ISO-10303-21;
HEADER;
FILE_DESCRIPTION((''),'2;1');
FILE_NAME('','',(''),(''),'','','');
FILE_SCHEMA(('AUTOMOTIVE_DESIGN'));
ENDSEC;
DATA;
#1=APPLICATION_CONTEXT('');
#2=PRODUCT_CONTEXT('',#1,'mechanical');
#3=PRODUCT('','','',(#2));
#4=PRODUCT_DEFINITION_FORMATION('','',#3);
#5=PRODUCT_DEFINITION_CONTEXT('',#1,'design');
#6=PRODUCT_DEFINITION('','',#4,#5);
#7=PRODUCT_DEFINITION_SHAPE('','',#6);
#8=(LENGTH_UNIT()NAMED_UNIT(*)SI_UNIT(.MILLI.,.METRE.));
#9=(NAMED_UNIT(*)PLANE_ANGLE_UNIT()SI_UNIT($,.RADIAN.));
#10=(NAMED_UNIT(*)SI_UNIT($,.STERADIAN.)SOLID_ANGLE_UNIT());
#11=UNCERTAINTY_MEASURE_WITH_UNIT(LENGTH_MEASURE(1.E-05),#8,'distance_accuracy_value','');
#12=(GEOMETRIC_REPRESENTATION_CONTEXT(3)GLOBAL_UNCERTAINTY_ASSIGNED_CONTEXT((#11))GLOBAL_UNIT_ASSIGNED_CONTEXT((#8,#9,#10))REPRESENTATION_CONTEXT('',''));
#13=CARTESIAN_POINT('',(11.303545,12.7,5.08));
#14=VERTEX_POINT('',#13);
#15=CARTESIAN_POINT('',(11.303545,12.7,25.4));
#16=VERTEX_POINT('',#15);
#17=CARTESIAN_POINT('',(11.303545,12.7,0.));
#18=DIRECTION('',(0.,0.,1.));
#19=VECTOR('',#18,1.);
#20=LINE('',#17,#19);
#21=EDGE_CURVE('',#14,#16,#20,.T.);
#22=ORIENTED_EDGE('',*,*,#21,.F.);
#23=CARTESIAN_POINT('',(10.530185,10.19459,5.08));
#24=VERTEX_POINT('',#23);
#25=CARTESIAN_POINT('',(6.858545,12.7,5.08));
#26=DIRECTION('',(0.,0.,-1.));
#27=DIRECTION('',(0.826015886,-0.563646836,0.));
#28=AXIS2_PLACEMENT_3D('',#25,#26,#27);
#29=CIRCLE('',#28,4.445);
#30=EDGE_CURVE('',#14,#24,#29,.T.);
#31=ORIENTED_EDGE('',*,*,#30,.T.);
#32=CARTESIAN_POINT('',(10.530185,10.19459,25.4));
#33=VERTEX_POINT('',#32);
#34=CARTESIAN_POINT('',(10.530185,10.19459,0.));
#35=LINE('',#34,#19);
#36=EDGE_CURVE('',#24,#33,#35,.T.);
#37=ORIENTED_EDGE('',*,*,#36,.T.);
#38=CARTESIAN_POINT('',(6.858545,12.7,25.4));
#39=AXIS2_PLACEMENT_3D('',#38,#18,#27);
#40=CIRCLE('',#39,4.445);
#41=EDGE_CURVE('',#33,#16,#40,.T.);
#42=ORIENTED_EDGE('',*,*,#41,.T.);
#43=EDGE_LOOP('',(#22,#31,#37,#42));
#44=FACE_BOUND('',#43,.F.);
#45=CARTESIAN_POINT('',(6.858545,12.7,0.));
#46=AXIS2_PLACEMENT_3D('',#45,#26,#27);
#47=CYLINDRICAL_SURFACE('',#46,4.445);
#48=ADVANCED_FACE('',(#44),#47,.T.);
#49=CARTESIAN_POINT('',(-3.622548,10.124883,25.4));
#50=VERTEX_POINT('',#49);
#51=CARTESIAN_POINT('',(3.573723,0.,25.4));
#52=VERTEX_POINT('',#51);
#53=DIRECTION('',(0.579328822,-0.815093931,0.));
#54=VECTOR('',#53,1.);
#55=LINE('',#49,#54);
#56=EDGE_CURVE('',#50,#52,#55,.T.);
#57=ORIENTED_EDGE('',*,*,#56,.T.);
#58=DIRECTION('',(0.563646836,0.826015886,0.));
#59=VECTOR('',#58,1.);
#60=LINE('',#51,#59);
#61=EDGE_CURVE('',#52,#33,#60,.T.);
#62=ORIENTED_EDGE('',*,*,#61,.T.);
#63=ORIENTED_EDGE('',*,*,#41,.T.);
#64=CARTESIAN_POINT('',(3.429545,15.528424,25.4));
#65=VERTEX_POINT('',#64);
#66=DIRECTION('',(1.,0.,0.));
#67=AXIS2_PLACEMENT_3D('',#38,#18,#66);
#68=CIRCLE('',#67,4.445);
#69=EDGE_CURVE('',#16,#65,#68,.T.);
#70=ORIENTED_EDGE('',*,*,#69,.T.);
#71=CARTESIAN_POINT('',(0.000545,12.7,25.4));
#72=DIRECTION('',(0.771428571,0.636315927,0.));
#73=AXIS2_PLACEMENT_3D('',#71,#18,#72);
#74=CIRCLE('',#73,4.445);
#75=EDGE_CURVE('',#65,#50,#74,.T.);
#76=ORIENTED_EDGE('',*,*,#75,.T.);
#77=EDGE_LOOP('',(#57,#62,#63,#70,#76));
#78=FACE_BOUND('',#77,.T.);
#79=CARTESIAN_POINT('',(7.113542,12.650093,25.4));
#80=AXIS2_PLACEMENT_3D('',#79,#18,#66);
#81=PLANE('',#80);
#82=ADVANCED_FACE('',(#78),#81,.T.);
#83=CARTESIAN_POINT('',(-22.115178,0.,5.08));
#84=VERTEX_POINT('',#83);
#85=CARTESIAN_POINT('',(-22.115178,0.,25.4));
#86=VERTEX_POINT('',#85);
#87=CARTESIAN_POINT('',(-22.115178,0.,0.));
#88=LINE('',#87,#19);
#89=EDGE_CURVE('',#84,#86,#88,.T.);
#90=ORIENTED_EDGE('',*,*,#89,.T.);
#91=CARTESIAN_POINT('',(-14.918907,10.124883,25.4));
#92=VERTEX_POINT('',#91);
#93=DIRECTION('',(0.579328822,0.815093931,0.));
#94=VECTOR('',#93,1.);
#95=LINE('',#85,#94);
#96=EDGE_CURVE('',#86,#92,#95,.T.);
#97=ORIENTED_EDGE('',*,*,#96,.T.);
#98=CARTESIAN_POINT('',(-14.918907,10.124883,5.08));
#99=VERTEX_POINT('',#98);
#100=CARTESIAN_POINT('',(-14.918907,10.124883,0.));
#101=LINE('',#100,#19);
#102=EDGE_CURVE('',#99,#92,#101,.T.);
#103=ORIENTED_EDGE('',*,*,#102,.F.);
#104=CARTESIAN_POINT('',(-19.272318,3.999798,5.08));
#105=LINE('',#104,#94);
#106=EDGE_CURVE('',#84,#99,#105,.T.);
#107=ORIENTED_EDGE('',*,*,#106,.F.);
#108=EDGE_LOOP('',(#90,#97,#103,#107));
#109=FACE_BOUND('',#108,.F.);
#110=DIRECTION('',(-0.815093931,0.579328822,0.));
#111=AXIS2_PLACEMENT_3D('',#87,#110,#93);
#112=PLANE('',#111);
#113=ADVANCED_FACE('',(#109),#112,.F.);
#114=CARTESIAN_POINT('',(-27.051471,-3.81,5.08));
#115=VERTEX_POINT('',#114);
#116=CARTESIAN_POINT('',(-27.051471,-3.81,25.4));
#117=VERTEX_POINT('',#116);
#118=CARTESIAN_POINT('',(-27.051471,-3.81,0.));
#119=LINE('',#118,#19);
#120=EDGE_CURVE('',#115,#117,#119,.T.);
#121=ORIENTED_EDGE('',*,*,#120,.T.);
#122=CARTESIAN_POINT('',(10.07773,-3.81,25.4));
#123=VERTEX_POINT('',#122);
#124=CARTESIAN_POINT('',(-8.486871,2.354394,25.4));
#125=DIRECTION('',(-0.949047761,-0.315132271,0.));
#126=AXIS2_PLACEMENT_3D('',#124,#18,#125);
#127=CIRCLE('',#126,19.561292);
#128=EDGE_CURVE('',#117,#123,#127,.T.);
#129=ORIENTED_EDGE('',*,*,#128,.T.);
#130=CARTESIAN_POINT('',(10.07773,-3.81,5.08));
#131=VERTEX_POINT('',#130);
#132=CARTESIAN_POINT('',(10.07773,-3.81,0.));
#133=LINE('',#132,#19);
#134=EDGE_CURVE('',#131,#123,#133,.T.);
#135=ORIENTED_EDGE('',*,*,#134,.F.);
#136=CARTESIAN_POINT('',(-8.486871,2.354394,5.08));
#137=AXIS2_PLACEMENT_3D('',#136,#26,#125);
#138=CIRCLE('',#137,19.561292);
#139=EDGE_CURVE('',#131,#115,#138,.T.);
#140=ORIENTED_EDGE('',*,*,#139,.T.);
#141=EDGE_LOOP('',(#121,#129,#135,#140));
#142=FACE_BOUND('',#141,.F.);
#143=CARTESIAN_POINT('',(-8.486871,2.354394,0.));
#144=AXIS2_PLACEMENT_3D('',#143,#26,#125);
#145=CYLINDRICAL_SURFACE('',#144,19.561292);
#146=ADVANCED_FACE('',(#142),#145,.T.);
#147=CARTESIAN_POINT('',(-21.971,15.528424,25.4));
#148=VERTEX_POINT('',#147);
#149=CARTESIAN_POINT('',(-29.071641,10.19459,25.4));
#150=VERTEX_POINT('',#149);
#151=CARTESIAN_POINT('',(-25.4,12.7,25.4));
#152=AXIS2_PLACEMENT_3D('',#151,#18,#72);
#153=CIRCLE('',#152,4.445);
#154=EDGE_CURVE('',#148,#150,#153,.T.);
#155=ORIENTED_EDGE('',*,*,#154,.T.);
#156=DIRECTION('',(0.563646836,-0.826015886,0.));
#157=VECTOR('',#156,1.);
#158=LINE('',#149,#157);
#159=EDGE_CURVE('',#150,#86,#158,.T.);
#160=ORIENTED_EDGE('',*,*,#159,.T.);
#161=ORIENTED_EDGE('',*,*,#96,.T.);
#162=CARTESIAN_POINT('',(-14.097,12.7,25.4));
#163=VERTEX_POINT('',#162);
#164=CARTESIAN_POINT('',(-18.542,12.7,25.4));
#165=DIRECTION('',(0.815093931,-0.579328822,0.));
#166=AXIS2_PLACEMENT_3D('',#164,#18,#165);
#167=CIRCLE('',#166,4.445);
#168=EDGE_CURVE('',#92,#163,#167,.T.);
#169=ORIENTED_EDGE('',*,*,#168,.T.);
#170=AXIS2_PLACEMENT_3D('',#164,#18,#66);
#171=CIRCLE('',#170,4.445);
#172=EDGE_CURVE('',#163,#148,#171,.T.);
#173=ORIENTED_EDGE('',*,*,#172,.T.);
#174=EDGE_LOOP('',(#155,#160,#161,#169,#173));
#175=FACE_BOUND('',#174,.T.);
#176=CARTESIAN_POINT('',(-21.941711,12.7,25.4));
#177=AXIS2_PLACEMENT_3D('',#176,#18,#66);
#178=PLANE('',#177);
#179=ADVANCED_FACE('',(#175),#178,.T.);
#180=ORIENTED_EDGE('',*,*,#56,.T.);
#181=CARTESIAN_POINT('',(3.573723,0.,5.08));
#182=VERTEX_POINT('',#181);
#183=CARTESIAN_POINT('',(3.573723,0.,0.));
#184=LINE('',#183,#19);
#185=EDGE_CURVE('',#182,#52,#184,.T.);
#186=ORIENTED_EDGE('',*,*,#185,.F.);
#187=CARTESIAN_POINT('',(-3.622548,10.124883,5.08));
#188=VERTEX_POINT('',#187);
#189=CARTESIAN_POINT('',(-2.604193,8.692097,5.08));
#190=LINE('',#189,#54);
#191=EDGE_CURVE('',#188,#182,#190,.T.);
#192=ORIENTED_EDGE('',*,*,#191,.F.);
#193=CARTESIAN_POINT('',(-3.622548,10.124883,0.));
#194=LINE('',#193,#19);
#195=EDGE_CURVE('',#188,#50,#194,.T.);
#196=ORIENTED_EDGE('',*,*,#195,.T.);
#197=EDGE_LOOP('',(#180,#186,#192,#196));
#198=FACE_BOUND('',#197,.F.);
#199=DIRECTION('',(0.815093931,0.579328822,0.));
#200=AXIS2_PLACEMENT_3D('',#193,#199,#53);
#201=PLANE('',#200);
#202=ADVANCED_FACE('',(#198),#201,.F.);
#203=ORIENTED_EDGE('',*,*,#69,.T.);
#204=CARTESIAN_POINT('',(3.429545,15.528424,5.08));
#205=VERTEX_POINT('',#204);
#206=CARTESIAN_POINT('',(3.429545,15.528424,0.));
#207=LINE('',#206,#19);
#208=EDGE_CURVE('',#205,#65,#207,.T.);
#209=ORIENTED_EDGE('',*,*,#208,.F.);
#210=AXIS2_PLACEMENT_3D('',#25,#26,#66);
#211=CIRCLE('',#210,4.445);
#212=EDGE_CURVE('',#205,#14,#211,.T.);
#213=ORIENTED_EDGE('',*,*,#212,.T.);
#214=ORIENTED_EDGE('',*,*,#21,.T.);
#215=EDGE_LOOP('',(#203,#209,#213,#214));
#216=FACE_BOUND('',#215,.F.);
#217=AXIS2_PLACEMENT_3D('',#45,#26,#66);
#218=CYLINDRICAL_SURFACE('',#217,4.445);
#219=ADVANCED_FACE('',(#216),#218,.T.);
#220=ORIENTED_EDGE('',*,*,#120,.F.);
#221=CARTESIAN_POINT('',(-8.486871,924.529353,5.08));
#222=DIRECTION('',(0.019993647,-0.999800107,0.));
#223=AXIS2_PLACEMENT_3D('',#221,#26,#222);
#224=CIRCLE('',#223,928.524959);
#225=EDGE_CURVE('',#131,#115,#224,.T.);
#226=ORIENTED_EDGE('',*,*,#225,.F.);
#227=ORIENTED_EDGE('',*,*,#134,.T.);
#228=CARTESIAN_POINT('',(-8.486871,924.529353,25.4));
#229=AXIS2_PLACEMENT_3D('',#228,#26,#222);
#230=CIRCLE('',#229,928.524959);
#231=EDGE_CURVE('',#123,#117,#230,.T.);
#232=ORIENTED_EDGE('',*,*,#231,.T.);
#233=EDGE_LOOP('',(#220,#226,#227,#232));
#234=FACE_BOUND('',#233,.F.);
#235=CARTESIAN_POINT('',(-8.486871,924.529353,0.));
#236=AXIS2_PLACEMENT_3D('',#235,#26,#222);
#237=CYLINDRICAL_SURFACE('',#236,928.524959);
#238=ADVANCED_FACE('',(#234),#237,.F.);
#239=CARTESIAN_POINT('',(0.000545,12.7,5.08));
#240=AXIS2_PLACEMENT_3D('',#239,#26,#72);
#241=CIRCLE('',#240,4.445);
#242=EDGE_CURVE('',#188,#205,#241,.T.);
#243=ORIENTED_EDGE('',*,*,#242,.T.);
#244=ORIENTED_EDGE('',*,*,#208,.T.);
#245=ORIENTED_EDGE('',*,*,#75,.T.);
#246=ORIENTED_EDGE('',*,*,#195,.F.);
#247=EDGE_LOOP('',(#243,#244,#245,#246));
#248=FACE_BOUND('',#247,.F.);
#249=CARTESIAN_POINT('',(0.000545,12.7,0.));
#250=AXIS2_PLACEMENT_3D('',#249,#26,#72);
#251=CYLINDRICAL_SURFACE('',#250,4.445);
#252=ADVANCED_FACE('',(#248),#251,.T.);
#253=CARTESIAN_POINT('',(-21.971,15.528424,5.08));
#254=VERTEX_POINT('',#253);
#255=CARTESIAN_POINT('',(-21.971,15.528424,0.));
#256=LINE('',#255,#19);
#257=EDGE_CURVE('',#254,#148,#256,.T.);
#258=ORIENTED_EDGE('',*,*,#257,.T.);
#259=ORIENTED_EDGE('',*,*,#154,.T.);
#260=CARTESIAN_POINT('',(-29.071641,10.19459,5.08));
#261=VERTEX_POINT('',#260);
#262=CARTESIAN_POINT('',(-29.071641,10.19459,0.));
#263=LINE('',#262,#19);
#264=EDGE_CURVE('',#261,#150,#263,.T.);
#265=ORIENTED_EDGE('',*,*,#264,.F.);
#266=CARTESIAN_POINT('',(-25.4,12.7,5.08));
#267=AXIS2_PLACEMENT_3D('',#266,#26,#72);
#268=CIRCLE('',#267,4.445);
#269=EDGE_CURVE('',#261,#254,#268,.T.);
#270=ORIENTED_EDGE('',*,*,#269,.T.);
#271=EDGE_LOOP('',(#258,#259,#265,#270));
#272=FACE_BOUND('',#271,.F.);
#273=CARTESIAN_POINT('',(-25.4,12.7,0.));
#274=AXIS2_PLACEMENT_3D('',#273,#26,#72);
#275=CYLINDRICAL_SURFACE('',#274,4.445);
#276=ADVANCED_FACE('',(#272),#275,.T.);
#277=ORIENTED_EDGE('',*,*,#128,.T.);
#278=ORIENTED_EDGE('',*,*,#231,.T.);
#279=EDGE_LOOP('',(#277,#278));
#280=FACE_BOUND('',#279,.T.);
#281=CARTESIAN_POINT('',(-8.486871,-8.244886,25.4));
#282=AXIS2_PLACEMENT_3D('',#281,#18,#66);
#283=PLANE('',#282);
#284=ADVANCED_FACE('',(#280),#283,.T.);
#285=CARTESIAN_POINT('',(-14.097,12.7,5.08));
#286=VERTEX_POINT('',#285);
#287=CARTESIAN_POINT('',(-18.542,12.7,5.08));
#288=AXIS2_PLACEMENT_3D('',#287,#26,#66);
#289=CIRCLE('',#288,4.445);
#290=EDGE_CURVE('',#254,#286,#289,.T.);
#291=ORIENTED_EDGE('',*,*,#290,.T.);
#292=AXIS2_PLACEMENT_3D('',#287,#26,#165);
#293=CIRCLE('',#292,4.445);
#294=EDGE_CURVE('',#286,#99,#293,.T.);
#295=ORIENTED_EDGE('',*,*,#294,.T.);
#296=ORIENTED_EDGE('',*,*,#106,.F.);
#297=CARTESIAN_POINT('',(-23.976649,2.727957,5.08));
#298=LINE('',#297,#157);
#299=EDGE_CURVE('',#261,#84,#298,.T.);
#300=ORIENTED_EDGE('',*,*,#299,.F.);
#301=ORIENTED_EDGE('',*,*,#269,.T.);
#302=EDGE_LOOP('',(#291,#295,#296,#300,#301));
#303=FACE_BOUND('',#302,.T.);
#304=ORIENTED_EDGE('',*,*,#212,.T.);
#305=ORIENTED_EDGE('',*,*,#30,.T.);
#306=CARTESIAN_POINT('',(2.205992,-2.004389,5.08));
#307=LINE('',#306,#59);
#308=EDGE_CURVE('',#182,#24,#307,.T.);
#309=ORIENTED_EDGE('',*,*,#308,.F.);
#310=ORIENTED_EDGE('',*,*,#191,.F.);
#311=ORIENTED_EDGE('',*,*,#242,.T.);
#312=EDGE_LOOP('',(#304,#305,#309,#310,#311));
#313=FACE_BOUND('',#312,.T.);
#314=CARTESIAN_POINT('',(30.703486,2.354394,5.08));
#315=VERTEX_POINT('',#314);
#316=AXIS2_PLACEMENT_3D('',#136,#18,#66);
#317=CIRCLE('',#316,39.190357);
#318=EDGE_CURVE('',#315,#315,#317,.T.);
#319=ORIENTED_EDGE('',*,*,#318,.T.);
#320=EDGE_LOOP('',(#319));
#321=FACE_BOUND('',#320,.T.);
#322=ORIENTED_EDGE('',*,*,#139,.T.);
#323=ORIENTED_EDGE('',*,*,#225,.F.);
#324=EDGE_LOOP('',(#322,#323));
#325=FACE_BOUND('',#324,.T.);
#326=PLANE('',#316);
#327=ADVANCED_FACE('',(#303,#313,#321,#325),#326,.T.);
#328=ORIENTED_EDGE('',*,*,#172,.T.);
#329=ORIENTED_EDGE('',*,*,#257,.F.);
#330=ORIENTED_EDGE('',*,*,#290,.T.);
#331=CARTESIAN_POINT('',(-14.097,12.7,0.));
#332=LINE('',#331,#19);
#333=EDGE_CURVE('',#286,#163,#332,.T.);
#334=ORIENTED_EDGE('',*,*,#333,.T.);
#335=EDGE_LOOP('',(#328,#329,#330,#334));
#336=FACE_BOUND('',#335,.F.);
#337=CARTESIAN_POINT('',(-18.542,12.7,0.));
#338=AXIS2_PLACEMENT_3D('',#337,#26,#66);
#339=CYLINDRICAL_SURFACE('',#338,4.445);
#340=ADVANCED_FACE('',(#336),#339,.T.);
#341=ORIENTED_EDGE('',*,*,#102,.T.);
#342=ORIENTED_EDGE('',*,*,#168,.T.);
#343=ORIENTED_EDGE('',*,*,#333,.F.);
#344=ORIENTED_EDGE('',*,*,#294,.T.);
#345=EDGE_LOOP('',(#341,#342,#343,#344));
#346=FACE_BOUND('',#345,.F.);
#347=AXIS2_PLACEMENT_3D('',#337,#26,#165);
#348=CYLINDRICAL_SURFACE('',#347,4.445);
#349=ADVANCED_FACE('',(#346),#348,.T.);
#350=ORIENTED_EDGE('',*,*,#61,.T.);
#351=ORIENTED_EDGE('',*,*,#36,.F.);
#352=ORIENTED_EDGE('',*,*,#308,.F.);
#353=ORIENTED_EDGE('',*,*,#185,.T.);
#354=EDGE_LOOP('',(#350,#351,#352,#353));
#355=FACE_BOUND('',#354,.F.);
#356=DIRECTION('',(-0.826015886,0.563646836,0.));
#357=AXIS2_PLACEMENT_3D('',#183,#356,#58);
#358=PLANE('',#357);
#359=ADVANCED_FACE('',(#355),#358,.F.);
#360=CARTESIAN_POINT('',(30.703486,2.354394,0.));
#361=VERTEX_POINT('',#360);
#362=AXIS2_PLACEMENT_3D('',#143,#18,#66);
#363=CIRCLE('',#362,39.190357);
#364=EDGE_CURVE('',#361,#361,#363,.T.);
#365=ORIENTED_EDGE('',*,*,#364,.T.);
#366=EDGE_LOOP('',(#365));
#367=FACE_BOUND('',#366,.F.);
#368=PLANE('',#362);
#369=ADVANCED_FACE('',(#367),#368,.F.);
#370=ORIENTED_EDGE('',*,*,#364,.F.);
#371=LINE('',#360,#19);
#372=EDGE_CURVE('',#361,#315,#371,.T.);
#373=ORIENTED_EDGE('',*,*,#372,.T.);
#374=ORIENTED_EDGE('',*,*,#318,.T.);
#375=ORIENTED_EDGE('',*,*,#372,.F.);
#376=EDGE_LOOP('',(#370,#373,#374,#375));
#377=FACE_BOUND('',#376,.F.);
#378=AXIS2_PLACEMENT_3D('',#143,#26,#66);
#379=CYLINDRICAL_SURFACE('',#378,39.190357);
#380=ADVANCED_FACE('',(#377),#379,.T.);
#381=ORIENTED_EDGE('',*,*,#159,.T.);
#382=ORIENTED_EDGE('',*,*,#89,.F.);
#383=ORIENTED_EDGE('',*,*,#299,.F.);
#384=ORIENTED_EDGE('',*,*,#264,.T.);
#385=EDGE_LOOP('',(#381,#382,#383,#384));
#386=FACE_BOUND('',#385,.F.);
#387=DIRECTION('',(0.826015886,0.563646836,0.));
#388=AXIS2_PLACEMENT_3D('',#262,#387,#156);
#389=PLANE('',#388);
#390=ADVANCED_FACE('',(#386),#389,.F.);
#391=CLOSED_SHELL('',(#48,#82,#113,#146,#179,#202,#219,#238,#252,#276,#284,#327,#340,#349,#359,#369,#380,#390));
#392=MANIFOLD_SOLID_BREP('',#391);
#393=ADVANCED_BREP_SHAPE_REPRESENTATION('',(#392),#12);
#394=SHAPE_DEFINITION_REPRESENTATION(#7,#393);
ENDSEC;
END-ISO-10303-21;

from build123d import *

# Parameters (mm, degrees)
F1_DEPTH = 25.4
F2_R     = 39.1903568665
F3_DEPTH = 5.08


with BuildPart() as f1:
    # F0 (on Top) → F1 (new body)
    with BuildSketch(Plane.XY):
        with BuildLine():
            ThreePointArc((-21.971, 9.8715757037), (-21.2167040506, 11.1973157351), (-20.955, 12.7))
            ThreePointArc((-20.955, 12.7), (-21.2167040506, 14.2026842649), (-21.971, 15.5284242963))
            ThreePointArc((-21.971, 15.5284242963), (-22.987, 12.7), (-21.971, 9.8715757037))
        make_face()
        with BuildLine():
            ThreePointArc((-21.971, 15.5284242963), (-21.2167040506, 14.2026842649), (-20.955, 12.7))
            ThreePointArc((-20.955, 12.7), (-21.2167040506, 11.1973157351), (-21.971, 9.8715757037))
            ThreePointArc((-21.971, 9.8715757037), (-18.3824406922, 8.2578647221), (-14.9189074762, 10.1248833882))
            ThreePointArc((-14.9189074762, 10.1248833882), (-14.307459218, 11.3484492736), (-14.097, 12.7))
            ThreePointArc((-14.097, 12.7), (-17.0393157351, 16.8832959494), (-21.971, 15.5284242963))
        make_face()
        with BuildLine():
            ThreePointArc((-21.971, 9.8715757037), (-22.987, 12.7), (-21.971, 15.5284242963))
            ThreePointArc((-21.971, 15.5284242963), (-28.0696752968, 16.2539919541), (-29.0716406137, 10.1945898132))
            ThreePointArc((-29.0716406137, 10.1945898132), (-25.6019978851, 8.2595921522), (-21.971, 9.8715757037))
        make_face()
        with BuildLine():
            ThreePointArc((-14.9189074762, 10.1248833882), (-18.3824406922, 8.2578647221), (-21.971, 9.8715757037))
            ThreePointArc((-21.971, 9.8715757037), (-25.6019978851, 8.2595921522), (-29.0716406137, 10.1945898132))
            Line((-29.0716406137, 10.1945898132), (-22.1151784062, 0))
            Line((-22.1151784062, 0), (-14.9189074762, 10.1248833882))
        make_face()
    extrude(amount=F1_DEPTH)



with BuildPart() as f1b:
    # F0 (on Top) → F1, piece 2 (new body)
    with BuildSketch(Plane.XY):
        with BuildLine():
            ThreePointArc((3.4295447311, 9.8715757037), (7.0605426162, 8.2595921522), (10.5301853448, 10.1945898132))
            ThreePointArc((10.5301853448, 10.1945898132), (11.1058066449, 11.388973213), (11.3035447311, 12.7))
            ThreePointArc((11.3035447311, 12.7), (8.361228996, 16.8832959494), (3.4295447311, 15.5284242963))
            ThreePointArc((3.4295447311, 15.5284242963), (4.1838406805, 14.2026842649), (4.4455447311, 12.7))
            ThreePointArc((4.4455447311, 12.7), (4.1838406805, 11.1973157351), (3.4295447311, 9.8715757037))
        make_face()
        with BuildLine():
            Line((3.5737231374, 0), (10.5301853448, 10.1945898132))
            ThreePointArc((10.5301853448, 10.1945898132), (7.0605426162, 8.2595921522), (3.4295447311, 9.8715757037))
            ThreePointArc((3.4295447311, 9.8715757037), (-0.1590145767, 8.2578647221), (-3.6225477926, 10.1248833882))
            Line((-3.6225477926, 10.1248833882), (3.5737231374, 0))
        make_face()
        with BuildLine():
            ThreePointArc((-3.6225477926, 10.1248833882), (-0.1590145767, 8.2578647221), (3.4295447311, 9.8715757037))
            ThreePointArc((3.4295447311, 9.8715757037), (2.4135447311, 12.7), (3.4295447311, 15.5284242963))
            ThreePointArc((3.4295447311, 15.5284242963), (-2.702968088, 16.2283202004), (-3.6225477926, 10.1248833882))
        make_face()
        with BuildLine():
            ThreePointArc((3.4295447311, 15.5284242963), (2.4135447311, 12.7), (3.4295447311, 9.8715757037))
            ThreePointArc((3.4295447311, 9.8715757037), (4.1838406805, 11.1973157351), (4.4455447311, 12.7))
            ThreePointArc((4.4455447311, 12.7), (4.1838406805, 14.2026842649), (3.4295447311, 15.5284242963))
        make_face()
    extrude(amount=F1_DEPTH)


with BuildPart() as f1c:
    # F0 (on Top) → F1, piece 3 (new body)
    with BuildSketch(Plane.XY):
        with BuildLine():
            ThreePointArc((10.0777297444, -3.81), (-8.4868707531, -3.9956055876), (-27.0514712505, -3.81))
            ThreePointArc((-27.0514712506, -3.81), (-8.4868707531, -17.2068977255), (10.0777297444, -3.81))
        make_face()
    extrude(amount=F1_DEPTH)


with BuildPart() as f1_1:
    add(f1.part)

    add(f1b.part)  # F3 merges F1b

    add(f1c.part)  # F3 merges F1c
    # F2 (on Top) → F3 (join)
    with BuildSketch(Plane.XY):
        with Locations((-8.4868707531, 2.3543944123)):
            Circle(F2_R)
    extrude(amount=F3_DEPTH)


solid = f1_1.part
